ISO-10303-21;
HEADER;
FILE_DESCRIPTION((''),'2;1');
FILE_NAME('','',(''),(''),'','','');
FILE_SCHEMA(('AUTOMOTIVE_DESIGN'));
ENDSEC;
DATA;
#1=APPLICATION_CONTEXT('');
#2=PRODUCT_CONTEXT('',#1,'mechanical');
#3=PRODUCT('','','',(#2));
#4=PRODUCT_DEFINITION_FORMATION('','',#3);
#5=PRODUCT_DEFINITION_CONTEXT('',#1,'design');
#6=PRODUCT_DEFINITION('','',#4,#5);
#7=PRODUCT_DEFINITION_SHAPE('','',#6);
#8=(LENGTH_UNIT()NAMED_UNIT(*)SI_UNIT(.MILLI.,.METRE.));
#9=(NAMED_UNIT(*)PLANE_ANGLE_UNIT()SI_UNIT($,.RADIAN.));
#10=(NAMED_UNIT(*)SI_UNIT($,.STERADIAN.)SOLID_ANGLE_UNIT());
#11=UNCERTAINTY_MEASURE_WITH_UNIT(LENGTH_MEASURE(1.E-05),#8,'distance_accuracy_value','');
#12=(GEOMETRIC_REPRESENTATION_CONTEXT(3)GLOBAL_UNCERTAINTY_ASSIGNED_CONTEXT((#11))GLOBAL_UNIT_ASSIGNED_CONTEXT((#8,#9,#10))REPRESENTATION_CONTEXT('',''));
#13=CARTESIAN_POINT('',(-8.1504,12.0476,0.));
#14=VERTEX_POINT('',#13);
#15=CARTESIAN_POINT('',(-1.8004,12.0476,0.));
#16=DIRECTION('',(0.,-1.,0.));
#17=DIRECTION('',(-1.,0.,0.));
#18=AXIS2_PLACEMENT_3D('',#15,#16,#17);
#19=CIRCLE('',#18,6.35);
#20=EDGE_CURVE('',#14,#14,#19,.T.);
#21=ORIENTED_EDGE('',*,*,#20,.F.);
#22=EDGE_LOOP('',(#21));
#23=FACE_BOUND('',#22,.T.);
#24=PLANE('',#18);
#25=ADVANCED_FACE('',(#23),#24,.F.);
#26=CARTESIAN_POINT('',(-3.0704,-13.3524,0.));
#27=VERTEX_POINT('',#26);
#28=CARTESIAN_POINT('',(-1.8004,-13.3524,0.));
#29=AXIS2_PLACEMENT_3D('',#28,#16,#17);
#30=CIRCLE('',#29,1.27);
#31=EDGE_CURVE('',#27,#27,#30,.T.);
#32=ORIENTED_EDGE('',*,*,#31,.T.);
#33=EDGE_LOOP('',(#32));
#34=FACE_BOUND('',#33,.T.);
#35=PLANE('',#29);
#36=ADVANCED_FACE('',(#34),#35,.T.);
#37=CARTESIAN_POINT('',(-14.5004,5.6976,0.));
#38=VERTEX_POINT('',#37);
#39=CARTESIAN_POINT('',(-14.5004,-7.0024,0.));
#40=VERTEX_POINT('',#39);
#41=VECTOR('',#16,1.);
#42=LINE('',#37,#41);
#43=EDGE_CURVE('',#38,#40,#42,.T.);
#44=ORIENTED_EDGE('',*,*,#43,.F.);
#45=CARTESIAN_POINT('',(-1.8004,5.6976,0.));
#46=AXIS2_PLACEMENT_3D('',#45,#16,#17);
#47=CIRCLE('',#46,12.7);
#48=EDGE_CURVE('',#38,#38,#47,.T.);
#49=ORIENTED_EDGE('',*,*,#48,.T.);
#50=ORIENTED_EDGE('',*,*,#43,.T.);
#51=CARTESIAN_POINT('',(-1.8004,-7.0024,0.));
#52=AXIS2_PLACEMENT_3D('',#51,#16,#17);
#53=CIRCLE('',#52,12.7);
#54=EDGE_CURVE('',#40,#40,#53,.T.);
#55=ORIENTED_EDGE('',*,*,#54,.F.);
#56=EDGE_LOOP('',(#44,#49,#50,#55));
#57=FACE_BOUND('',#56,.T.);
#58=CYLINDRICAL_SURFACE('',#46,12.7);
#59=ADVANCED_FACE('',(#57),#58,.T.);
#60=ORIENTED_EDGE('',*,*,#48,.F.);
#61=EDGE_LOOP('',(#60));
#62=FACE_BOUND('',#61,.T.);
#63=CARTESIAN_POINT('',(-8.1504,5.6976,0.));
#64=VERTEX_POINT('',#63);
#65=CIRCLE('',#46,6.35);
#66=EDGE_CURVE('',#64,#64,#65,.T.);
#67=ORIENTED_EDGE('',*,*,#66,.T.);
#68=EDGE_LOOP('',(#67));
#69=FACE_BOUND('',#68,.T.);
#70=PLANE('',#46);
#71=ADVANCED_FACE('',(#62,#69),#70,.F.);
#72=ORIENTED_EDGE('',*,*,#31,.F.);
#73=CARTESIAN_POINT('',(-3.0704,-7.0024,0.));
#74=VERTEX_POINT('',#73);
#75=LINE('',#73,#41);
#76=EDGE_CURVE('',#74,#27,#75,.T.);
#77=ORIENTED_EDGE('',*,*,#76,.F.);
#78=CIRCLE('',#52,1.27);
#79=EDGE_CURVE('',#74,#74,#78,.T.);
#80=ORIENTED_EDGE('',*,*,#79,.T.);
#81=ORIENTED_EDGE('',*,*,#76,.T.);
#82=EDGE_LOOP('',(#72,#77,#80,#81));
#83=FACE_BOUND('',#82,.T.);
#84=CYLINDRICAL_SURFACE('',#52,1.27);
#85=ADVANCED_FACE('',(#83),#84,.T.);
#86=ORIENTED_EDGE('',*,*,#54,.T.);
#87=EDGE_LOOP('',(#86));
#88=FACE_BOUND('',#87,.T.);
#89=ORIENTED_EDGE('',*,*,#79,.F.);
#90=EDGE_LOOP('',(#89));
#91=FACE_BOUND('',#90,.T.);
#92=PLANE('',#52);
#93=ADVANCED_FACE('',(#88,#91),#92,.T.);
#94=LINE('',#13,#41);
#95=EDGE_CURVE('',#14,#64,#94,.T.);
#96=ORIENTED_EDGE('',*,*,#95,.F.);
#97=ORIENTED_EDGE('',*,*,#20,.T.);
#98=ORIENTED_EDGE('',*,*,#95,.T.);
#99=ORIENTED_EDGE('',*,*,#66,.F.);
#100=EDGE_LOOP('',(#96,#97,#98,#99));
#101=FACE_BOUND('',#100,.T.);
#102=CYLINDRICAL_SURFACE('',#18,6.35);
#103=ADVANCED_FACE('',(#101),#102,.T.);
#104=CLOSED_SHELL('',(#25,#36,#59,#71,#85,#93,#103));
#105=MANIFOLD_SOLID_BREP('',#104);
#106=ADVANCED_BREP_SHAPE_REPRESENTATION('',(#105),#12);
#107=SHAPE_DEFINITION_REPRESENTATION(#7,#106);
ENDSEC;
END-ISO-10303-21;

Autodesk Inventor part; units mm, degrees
ref_plane "XZ Plane" through (0, 0, 0) normal (0, 1, 0) x (-1, 0, 0)
ref_plane "XY Plane" through (0, 0, 0) normal (0, 0, 1) x (1, 0, 0)
sketch "Sketch1" plane through (0, 0, 0) normal (0, 0, 1) x (1, 0, 0)
  line L0 (-8.1504, 12.0476) -> (-8.1504, 5.6976)
  line L1 (-8.1504, 5.6976) -> (-14.5004, 5.6976)
  line L2 (-14.5004, 5.6976) -> (-14.5004, -7.0024)
  line L3 (-14.5004, -7.0024) -> (-3.0704, -7.0024)
  line L4 (-3.0704, -7.0024) -> (-3.0704, -13.3524)
  line L5 (-3.0704, -13.3524) -> (-1.8004, -13.3524)
  line L6 (-1.8004, 12.0476) -> (-8.1504, 12.0476)
  line L7 (-1.8004, 12.0476) -> (-1.8004, -13.3524)
  dimension "d0" = 12.7
  dimension "d1" = 6.35
  dimension "d3" = 1.27
  dimension "d8" = 12.7
  dimension "d9" = 6.35
revolve "Revolution1" add sketch "Sketch1" angle 360 about axis through (-1.8004, 12.0476, 0) along (0, -1, 0)
properties part number "roll2"
